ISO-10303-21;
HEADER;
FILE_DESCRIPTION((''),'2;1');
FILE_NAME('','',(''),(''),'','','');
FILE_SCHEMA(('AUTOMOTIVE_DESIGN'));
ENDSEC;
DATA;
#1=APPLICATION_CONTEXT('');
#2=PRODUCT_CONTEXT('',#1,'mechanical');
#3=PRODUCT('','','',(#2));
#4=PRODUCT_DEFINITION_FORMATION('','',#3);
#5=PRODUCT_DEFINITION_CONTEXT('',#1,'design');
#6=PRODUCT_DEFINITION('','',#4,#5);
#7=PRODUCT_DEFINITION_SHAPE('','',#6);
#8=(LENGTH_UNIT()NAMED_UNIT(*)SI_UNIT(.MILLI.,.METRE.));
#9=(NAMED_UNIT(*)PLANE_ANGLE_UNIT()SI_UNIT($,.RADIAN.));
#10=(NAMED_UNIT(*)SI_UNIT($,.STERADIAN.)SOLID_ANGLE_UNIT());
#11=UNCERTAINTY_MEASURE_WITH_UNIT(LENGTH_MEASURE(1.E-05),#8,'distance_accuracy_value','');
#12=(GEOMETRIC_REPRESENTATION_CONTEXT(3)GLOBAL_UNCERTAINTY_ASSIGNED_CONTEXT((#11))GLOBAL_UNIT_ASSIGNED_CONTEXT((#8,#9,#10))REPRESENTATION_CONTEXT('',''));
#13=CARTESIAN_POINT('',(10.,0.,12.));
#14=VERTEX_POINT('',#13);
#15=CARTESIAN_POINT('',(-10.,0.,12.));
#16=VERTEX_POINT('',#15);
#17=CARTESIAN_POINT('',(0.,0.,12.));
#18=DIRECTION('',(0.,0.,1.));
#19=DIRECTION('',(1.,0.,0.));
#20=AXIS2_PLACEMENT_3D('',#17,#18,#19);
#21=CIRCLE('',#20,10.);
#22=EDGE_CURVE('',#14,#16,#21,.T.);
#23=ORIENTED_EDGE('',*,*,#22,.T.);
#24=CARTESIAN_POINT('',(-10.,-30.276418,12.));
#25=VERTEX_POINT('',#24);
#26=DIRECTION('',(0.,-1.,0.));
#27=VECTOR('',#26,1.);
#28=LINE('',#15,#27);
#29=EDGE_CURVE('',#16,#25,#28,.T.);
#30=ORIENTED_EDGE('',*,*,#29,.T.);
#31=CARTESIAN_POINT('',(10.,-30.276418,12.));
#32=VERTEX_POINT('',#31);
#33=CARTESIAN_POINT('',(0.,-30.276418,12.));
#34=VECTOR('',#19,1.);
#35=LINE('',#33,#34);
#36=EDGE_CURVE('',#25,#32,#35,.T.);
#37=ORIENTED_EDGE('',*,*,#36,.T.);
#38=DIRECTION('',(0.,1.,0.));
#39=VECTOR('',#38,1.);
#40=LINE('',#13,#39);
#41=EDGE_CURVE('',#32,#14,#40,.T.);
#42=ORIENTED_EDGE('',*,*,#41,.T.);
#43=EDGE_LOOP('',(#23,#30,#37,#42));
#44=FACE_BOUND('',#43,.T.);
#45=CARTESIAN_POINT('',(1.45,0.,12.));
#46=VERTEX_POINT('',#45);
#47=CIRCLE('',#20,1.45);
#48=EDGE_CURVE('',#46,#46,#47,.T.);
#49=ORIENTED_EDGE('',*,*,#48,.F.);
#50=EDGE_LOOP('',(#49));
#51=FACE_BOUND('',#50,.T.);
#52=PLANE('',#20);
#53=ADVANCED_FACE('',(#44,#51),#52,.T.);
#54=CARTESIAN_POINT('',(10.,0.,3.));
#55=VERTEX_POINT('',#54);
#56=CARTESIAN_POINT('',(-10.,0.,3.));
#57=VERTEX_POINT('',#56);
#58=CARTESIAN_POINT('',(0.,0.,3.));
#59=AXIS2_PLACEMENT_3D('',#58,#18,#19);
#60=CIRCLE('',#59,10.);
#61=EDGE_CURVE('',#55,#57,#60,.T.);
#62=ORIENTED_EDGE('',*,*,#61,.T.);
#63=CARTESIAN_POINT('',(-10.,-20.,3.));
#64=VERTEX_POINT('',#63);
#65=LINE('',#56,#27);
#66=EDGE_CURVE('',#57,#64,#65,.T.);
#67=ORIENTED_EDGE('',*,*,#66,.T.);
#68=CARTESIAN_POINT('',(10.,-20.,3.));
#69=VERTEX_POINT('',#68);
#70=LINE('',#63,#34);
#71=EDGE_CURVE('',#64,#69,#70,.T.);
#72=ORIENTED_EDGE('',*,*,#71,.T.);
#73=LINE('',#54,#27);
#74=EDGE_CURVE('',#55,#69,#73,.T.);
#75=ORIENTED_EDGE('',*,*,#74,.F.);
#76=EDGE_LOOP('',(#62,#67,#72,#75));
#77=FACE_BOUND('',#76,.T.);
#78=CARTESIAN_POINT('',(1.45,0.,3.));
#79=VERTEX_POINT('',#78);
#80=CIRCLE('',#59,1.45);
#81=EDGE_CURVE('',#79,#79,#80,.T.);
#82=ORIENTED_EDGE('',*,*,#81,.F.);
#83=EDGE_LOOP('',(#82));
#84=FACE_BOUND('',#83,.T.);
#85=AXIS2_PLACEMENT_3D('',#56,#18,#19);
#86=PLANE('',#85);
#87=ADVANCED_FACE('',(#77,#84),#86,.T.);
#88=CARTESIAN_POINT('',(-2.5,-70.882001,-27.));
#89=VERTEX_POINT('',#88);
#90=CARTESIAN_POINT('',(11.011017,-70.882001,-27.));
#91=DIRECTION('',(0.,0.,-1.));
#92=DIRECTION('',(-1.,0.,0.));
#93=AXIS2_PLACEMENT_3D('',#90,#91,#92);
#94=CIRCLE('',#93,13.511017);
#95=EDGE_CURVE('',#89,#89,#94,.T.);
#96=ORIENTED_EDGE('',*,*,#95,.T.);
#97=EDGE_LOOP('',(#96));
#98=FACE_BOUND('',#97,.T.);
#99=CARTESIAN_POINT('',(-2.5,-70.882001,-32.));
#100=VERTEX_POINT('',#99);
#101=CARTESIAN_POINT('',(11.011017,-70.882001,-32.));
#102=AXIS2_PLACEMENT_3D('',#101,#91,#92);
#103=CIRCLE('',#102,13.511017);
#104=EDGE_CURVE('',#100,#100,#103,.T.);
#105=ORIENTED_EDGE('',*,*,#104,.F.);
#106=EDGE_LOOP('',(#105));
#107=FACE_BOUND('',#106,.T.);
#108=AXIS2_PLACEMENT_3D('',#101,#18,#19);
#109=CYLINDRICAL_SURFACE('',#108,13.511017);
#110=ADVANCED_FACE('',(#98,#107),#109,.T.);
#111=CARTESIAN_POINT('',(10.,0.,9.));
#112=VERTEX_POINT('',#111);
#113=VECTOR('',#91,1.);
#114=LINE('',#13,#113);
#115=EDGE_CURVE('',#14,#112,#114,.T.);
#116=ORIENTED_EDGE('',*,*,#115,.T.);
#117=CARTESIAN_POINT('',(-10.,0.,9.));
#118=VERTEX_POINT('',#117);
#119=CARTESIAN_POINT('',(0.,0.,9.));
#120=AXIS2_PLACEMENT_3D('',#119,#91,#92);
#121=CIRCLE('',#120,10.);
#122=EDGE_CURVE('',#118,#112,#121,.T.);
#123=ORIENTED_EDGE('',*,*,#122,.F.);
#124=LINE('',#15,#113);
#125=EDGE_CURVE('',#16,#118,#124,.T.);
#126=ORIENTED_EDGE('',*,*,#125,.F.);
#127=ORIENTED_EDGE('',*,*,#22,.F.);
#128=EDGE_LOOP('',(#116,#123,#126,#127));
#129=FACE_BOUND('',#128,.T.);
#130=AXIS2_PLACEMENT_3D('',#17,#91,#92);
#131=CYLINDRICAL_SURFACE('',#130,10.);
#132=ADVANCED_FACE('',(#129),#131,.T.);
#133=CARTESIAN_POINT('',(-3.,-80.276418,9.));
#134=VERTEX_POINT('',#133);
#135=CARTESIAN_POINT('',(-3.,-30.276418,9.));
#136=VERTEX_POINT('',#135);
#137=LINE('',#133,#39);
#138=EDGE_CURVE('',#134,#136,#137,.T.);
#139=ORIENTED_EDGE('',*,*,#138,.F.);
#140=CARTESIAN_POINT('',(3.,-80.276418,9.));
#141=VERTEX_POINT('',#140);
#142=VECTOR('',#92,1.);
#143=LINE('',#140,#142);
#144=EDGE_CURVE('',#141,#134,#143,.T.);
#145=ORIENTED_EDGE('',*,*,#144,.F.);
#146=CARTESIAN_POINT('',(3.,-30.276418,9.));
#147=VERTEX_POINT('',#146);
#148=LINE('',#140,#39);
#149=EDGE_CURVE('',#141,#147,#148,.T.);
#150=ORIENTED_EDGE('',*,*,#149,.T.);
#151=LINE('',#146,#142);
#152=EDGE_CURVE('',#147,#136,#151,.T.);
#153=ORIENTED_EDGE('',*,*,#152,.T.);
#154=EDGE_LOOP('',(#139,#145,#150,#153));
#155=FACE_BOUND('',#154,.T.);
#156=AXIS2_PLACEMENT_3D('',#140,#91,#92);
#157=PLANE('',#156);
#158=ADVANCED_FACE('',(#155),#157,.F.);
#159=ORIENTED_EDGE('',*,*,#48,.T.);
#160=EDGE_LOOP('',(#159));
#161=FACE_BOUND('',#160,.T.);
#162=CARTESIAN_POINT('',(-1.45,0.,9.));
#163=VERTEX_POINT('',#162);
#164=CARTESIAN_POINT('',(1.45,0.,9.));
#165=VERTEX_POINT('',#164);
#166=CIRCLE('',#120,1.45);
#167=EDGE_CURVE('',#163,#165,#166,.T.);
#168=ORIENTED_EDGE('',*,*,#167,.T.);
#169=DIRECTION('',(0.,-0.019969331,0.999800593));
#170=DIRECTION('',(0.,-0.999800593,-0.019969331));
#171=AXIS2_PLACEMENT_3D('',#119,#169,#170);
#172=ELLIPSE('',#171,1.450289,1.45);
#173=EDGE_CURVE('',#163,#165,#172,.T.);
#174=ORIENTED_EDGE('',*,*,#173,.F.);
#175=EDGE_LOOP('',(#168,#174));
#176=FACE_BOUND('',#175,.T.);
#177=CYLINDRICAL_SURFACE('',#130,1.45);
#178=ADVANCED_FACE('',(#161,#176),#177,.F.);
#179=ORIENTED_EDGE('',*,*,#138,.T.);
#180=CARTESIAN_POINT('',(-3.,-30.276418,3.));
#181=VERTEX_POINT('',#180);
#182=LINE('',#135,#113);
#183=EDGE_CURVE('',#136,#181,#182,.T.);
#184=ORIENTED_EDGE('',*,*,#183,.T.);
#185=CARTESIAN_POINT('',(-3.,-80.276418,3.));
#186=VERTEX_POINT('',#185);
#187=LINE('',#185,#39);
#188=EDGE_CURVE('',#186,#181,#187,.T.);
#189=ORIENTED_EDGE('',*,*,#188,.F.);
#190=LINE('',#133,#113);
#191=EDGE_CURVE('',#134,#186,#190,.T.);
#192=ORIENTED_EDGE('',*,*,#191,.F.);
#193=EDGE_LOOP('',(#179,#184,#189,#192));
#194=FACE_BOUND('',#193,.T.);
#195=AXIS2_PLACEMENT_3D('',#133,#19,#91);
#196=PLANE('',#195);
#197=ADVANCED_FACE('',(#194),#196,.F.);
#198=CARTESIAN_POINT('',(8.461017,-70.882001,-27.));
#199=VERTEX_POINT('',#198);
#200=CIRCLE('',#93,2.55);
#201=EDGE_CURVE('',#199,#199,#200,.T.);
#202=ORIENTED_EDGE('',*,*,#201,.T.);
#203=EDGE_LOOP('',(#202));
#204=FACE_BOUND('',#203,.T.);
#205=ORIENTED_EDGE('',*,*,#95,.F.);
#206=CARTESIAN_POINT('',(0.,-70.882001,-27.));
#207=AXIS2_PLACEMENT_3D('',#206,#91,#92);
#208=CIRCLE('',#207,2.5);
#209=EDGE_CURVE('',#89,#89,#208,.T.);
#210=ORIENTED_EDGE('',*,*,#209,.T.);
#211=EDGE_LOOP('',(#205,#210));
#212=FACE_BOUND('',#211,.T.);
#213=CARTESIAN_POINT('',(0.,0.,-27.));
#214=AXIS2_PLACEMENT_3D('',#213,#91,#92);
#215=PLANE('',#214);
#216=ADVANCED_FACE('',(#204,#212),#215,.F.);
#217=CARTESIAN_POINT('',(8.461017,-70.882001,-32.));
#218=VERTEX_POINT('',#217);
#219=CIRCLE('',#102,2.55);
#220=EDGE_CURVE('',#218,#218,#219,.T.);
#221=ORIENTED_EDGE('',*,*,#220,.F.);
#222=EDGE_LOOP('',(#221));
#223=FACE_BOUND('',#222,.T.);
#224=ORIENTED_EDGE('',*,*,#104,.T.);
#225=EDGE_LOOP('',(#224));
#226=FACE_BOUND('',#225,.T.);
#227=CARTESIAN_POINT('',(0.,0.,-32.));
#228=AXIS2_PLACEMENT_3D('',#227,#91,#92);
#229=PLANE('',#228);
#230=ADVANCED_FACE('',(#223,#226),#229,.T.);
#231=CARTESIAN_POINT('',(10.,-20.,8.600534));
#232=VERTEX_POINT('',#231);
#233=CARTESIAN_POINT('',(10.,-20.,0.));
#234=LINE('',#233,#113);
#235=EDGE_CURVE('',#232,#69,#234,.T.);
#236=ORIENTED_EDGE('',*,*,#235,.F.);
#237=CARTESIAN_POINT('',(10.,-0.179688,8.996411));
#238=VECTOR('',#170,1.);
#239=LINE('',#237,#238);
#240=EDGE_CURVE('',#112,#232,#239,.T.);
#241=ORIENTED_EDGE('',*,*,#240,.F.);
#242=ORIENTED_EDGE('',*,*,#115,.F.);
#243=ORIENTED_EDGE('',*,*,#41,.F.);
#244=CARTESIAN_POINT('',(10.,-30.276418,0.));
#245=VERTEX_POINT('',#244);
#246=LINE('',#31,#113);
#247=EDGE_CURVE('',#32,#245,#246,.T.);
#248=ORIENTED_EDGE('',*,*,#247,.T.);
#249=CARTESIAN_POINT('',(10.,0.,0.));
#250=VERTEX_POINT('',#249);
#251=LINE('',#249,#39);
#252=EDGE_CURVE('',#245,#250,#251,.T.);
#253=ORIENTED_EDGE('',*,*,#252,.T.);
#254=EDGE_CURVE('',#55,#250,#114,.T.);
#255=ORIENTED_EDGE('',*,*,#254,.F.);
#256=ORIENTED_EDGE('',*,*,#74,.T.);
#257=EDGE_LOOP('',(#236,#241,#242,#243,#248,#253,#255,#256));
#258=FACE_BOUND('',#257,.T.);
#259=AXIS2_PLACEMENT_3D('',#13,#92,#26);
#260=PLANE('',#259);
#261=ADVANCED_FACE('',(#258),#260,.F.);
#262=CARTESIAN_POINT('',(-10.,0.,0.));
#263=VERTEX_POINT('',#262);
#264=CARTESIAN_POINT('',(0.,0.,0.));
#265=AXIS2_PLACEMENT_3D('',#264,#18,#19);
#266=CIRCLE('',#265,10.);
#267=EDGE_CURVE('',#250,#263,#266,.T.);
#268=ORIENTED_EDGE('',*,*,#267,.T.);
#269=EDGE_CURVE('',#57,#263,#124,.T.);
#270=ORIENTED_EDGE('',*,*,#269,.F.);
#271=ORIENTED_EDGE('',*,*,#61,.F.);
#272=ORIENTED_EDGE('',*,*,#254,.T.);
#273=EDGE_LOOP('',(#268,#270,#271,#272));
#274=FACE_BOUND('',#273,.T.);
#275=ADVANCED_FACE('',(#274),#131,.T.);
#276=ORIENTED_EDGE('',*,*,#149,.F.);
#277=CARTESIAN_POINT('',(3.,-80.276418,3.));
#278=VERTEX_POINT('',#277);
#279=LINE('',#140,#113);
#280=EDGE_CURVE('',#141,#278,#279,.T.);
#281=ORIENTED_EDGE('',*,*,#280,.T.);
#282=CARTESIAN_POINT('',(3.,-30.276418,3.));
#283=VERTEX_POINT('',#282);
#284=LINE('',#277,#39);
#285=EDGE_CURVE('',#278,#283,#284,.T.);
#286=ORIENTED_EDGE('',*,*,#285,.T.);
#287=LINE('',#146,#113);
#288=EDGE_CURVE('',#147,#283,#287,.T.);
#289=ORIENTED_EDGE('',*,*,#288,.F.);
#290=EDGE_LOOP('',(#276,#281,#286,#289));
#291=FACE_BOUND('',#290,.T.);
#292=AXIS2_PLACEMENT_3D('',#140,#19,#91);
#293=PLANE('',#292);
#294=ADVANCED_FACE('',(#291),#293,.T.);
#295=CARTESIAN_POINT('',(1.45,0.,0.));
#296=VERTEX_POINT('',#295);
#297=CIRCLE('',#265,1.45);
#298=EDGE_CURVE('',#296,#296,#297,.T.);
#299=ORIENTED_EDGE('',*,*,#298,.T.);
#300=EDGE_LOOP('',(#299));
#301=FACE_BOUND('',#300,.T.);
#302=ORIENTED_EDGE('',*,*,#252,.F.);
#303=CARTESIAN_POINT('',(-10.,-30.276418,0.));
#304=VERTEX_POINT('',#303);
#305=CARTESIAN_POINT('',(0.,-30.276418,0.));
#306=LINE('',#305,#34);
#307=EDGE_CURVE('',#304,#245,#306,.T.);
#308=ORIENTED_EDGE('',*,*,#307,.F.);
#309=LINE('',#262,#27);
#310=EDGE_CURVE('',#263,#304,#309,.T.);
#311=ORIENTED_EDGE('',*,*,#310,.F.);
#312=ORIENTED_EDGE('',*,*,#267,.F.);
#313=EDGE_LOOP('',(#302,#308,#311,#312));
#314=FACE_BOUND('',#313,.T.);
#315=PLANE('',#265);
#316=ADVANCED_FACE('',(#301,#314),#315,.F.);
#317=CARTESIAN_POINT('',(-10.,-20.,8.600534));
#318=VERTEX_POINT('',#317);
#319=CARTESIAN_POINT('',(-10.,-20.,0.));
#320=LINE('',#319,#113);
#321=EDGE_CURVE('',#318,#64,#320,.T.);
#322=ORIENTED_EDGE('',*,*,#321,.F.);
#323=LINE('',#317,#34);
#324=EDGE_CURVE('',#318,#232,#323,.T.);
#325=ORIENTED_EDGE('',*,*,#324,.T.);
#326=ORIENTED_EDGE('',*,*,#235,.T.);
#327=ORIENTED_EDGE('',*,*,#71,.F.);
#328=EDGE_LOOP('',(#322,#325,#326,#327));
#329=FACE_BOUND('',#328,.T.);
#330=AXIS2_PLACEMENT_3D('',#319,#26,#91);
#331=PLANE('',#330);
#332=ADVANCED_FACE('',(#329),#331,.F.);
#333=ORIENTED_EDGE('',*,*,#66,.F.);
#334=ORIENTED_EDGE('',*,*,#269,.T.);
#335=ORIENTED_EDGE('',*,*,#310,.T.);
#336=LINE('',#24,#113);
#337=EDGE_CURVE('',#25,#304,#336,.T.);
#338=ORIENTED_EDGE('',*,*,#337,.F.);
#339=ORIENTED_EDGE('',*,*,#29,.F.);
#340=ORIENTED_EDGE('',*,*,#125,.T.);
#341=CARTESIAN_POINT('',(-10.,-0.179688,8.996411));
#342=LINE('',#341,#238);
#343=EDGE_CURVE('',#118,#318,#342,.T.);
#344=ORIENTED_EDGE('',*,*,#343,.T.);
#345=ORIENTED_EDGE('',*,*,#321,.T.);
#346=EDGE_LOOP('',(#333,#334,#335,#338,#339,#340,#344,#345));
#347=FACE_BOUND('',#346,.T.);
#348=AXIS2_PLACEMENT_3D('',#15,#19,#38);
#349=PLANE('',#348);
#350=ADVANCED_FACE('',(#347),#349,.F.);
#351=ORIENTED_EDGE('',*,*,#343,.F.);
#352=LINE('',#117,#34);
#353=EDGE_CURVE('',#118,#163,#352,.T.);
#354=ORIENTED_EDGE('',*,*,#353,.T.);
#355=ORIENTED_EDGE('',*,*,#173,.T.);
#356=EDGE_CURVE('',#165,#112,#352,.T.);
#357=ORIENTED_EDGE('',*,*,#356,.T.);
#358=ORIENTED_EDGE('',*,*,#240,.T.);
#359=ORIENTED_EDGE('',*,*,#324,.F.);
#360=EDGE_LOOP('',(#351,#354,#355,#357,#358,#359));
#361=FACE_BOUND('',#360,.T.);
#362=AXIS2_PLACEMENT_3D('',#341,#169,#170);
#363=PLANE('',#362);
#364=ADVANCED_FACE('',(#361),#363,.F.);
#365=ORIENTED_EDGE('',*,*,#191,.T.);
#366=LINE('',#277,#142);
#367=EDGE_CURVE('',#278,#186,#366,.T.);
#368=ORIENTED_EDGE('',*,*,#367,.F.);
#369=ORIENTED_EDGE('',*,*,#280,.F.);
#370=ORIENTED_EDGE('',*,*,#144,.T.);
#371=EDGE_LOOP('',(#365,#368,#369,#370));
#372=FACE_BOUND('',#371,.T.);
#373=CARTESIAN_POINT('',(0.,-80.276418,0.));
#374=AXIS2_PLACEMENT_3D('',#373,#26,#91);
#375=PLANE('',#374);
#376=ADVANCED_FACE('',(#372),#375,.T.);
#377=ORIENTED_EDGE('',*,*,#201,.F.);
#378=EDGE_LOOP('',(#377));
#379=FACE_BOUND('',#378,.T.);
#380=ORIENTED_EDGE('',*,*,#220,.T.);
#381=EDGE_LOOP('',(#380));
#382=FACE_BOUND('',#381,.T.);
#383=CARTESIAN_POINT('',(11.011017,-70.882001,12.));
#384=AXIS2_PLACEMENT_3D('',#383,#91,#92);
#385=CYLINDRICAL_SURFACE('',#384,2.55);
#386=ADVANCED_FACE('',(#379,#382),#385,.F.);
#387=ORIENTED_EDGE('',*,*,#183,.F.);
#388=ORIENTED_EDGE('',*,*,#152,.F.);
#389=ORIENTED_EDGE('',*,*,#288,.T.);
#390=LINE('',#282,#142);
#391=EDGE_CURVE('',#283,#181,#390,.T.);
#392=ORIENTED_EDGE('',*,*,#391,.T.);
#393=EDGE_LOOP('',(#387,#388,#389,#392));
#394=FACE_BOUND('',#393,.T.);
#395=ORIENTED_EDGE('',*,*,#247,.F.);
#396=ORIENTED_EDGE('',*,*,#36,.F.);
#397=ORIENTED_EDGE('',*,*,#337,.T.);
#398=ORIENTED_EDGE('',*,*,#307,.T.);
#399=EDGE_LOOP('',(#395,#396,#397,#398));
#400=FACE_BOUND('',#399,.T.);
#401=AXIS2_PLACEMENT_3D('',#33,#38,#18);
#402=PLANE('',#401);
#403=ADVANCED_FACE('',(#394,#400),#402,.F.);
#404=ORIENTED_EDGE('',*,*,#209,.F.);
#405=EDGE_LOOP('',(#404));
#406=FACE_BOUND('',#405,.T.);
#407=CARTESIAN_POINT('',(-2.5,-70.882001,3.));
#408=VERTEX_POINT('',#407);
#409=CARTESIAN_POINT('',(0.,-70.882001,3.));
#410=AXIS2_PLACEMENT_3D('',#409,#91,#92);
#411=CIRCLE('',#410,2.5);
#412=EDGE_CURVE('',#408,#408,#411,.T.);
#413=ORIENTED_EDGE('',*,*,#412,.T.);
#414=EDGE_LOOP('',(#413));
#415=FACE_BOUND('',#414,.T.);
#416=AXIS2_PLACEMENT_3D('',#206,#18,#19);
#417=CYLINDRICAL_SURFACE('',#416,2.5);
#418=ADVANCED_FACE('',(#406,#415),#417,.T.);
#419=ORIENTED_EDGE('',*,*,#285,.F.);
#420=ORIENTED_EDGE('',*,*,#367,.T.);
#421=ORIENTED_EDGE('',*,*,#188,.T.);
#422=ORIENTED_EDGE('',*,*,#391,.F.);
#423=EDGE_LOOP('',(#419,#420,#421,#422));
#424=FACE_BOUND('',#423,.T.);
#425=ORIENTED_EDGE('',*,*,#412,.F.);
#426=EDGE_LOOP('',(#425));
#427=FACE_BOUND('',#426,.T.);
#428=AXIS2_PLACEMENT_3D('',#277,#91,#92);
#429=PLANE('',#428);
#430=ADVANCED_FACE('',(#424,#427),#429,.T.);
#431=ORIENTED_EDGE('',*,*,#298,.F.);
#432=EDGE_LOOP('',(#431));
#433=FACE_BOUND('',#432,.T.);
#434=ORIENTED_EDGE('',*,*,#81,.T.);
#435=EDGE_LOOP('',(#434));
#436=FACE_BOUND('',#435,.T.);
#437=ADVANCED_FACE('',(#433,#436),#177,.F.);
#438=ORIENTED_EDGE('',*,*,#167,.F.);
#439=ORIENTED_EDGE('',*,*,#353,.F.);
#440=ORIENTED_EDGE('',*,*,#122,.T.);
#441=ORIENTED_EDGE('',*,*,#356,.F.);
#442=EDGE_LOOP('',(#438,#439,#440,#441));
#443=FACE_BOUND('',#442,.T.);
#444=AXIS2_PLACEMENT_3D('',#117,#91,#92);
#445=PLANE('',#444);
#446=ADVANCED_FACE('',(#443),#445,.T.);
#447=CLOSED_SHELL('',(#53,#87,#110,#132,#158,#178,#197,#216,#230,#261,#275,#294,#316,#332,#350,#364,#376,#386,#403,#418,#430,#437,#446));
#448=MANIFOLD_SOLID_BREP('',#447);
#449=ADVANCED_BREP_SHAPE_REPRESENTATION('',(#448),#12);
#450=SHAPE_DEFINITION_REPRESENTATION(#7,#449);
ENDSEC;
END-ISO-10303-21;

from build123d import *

# Parameters (mm, degrees)
SKETCH_1_R          = 1.45
EXTRUDE_1_DEPTH     = 12
CUT_EXTRUDE_1_DEPTH = 39.218600963
SKETCH_3_W          = 6
SKETCH_3_H          = 6
EXTRUDE_5_DEPTH     = 50
EXTRUDE_6_DEPTH     = 30
SKETCH_9_R          = 13.511017451
EXTRUDE_10_DEPTH    = 5
SKETCH_10_R         = 2.55
CUT_EXTRUDE_5_DEPTH = 99.282815089


with BuildPart() as part:
    # 草圖1 → 填料-伸長1 (new body)
    with BuildSketch(Plane.XY):
        with BuildLine():
            Line((-10, 0), (-10, -30.276417548))
            Line((-10, -30.276417548), (10, -30.276417548))
            Line((10, -30.276417548), (10, 0))
            ThreePointArc((10, 0), (0, 10), (-10, 0))
        make_face()
        Circle(SKETCH_1_R, mode=Mode.SUBTRACT)
    extrude(amount=EXTRUDE_1_DEPTH)

    # 草圖2 → 除料-伸長1 (cut, through all)
    with BuildSketch(Plane(origin=(10, 0, 0), x_dir=(0, 0, -1), z_dir=(1, 0, 0))):
        Polygon((-9, 0), (-6, 0), (-3, 0), (-3, 15.780779257), (-9, 15.780779257), align=None)
        Polygon((-3, 0), (-6, 0), (-9, 0), (-8.60053373, -20), (-3, -20), align=None)
    extrude(amount=-CUT_EXTRUDE_1_DEPTH, mode=Mode.SUBTRACT)

    # 草圖3 → 填料-伸長5 (add)
    with BuildSketch(Plane.XZ.offset(30.276417548)):
        with Locations((0, 6)):
            Rectangle(SKETCH_3_W, SKETCH_3_H)
    extrude(amount=EXTRUDE_5_DEPTH)

    # 草圖8 → 填料-伸長6 (add)
    with BuildSketch(Plane(origin=(0, 0, 3), x_dir=(-1, 0, 0), z_dir=(0, 0, -1))):
        with BuildLine():
            ThreePointArc((2.5, -70.882000899), (0, -68.382000899), (-2.5, -70.882000899))
            Line((-2.5, -70.882000899), (2.5, -70.882000899))
        make_face()
        with BuildLine():
            Line((2.5, -70.882000899), (-2.5, -70.882000899))
            ThreePointArc((-2.5, -70.882000899), (0, -73.382000899), (2.5, -70.882000899))
        make_face()
    extrude(amount=EXTRUDE_6_DEPTH)

    # 草圖9 → 填料-伸長10 (add)
    with BuildSketch(Plane(origin=(0, 0, -27), x_dir=(-1, 0, 0), z_dir=(0, 0, -1))):
        with Locations((-11.011017451, -70.882000899)):
            Circle(SKETCH_9_R)
    extrude(amount=EXTRUDE_10_DEPTH)

    # 草圖10 → 除料-伸長5 (cut, through all)
    with BuildSketch(Plane(origin=(0, 0, -32), x_dir=(-1, 0, 0), z_dir=(0, 0, -1))):
        with Locations((-11.011017451, -70.882000899)):
            Circle(SKETCH_10_R)
    extrude(amount=-CUT_EXTRUDE_5_DEPTH, mode=Mode.SUBTRACT)


solid = part.part
